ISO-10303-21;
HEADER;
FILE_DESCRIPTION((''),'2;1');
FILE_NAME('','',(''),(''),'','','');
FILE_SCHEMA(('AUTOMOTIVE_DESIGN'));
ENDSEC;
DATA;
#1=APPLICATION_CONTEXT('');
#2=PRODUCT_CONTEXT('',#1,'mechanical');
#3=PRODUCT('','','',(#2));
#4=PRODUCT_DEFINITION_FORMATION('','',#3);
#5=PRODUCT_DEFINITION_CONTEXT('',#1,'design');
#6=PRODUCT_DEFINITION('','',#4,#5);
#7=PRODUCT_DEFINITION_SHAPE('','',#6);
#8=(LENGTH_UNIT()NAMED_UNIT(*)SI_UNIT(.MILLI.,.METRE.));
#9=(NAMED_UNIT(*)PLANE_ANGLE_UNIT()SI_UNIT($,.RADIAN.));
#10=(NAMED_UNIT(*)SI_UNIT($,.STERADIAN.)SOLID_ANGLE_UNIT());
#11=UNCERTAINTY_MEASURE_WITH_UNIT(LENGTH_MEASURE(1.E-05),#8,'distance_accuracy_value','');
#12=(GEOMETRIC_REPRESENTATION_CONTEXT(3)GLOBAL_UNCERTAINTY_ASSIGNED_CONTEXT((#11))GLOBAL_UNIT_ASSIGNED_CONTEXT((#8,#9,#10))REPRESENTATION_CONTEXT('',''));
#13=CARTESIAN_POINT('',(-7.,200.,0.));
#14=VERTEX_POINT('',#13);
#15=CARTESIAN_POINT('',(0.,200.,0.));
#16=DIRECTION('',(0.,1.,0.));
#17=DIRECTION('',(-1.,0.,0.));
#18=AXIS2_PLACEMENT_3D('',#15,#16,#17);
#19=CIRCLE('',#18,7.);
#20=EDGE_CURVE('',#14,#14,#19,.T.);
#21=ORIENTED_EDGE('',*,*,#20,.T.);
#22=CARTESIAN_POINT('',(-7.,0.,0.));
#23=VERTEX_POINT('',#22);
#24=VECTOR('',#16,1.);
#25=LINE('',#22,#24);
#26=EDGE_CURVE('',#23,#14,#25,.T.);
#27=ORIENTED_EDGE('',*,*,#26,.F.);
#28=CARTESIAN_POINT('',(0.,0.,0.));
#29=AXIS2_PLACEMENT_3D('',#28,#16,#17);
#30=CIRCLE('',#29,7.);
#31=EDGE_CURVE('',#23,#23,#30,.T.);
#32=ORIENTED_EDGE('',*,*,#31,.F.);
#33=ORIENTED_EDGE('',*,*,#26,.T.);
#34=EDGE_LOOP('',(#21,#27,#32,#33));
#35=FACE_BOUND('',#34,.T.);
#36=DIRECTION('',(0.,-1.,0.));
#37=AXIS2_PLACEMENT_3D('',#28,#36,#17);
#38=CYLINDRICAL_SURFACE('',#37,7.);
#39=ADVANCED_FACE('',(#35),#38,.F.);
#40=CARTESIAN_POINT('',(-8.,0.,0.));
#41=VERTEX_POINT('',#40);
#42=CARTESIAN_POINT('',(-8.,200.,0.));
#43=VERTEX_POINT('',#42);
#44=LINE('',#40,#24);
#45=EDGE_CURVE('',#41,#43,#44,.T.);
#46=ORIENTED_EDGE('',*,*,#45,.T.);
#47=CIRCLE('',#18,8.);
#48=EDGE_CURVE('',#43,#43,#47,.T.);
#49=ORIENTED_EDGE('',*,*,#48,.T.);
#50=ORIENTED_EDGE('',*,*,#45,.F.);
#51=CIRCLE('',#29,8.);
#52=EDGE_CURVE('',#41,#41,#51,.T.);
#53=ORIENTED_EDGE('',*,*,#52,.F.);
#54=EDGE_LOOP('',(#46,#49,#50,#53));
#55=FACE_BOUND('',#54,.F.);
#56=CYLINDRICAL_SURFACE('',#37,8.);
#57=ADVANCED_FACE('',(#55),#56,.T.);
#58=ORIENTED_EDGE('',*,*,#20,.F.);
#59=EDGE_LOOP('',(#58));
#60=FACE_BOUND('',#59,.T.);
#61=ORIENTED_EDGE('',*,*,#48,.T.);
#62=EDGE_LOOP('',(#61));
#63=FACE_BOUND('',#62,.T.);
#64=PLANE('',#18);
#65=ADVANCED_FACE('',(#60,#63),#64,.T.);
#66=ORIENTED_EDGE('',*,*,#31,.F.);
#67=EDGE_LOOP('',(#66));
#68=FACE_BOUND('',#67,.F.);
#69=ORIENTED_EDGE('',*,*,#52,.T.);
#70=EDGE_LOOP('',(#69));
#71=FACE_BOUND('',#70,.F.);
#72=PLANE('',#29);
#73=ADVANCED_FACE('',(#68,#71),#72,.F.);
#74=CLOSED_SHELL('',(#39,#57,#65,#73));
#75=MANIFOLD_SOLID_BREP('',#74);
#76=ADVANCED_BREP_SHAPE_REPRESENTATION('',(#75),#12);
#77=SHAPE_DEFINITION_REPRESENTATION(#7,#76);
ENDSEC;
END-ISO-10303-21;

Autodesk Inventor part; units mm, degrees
ref_plane "YZ Plane" through (0, 0, 0) normal (1, 0, 0) x (0, 1, 0)
ref_plane "XZ Plane" through (0, 0, 0) normal (0, 1, 0) x (-1, 0, 0)
ref_plane "XY Plane" through (0, 0, 0) normal (0, 0, 1) x (1, 0, 0)
sketch "Sketch1" plane through (0, 0, 0) normal (0, 1, 0) x (-1, 0, 0)
  circle A0 centre (0, 0) radius 7
  circle A1 centre (0, 0) radius 8
  dimension "d0" = 14
  dimension "d1" = 16
extrude "Extrusion1" add sketch "Sketch1" along normal blind 200
properties part number "HectorsArm"
